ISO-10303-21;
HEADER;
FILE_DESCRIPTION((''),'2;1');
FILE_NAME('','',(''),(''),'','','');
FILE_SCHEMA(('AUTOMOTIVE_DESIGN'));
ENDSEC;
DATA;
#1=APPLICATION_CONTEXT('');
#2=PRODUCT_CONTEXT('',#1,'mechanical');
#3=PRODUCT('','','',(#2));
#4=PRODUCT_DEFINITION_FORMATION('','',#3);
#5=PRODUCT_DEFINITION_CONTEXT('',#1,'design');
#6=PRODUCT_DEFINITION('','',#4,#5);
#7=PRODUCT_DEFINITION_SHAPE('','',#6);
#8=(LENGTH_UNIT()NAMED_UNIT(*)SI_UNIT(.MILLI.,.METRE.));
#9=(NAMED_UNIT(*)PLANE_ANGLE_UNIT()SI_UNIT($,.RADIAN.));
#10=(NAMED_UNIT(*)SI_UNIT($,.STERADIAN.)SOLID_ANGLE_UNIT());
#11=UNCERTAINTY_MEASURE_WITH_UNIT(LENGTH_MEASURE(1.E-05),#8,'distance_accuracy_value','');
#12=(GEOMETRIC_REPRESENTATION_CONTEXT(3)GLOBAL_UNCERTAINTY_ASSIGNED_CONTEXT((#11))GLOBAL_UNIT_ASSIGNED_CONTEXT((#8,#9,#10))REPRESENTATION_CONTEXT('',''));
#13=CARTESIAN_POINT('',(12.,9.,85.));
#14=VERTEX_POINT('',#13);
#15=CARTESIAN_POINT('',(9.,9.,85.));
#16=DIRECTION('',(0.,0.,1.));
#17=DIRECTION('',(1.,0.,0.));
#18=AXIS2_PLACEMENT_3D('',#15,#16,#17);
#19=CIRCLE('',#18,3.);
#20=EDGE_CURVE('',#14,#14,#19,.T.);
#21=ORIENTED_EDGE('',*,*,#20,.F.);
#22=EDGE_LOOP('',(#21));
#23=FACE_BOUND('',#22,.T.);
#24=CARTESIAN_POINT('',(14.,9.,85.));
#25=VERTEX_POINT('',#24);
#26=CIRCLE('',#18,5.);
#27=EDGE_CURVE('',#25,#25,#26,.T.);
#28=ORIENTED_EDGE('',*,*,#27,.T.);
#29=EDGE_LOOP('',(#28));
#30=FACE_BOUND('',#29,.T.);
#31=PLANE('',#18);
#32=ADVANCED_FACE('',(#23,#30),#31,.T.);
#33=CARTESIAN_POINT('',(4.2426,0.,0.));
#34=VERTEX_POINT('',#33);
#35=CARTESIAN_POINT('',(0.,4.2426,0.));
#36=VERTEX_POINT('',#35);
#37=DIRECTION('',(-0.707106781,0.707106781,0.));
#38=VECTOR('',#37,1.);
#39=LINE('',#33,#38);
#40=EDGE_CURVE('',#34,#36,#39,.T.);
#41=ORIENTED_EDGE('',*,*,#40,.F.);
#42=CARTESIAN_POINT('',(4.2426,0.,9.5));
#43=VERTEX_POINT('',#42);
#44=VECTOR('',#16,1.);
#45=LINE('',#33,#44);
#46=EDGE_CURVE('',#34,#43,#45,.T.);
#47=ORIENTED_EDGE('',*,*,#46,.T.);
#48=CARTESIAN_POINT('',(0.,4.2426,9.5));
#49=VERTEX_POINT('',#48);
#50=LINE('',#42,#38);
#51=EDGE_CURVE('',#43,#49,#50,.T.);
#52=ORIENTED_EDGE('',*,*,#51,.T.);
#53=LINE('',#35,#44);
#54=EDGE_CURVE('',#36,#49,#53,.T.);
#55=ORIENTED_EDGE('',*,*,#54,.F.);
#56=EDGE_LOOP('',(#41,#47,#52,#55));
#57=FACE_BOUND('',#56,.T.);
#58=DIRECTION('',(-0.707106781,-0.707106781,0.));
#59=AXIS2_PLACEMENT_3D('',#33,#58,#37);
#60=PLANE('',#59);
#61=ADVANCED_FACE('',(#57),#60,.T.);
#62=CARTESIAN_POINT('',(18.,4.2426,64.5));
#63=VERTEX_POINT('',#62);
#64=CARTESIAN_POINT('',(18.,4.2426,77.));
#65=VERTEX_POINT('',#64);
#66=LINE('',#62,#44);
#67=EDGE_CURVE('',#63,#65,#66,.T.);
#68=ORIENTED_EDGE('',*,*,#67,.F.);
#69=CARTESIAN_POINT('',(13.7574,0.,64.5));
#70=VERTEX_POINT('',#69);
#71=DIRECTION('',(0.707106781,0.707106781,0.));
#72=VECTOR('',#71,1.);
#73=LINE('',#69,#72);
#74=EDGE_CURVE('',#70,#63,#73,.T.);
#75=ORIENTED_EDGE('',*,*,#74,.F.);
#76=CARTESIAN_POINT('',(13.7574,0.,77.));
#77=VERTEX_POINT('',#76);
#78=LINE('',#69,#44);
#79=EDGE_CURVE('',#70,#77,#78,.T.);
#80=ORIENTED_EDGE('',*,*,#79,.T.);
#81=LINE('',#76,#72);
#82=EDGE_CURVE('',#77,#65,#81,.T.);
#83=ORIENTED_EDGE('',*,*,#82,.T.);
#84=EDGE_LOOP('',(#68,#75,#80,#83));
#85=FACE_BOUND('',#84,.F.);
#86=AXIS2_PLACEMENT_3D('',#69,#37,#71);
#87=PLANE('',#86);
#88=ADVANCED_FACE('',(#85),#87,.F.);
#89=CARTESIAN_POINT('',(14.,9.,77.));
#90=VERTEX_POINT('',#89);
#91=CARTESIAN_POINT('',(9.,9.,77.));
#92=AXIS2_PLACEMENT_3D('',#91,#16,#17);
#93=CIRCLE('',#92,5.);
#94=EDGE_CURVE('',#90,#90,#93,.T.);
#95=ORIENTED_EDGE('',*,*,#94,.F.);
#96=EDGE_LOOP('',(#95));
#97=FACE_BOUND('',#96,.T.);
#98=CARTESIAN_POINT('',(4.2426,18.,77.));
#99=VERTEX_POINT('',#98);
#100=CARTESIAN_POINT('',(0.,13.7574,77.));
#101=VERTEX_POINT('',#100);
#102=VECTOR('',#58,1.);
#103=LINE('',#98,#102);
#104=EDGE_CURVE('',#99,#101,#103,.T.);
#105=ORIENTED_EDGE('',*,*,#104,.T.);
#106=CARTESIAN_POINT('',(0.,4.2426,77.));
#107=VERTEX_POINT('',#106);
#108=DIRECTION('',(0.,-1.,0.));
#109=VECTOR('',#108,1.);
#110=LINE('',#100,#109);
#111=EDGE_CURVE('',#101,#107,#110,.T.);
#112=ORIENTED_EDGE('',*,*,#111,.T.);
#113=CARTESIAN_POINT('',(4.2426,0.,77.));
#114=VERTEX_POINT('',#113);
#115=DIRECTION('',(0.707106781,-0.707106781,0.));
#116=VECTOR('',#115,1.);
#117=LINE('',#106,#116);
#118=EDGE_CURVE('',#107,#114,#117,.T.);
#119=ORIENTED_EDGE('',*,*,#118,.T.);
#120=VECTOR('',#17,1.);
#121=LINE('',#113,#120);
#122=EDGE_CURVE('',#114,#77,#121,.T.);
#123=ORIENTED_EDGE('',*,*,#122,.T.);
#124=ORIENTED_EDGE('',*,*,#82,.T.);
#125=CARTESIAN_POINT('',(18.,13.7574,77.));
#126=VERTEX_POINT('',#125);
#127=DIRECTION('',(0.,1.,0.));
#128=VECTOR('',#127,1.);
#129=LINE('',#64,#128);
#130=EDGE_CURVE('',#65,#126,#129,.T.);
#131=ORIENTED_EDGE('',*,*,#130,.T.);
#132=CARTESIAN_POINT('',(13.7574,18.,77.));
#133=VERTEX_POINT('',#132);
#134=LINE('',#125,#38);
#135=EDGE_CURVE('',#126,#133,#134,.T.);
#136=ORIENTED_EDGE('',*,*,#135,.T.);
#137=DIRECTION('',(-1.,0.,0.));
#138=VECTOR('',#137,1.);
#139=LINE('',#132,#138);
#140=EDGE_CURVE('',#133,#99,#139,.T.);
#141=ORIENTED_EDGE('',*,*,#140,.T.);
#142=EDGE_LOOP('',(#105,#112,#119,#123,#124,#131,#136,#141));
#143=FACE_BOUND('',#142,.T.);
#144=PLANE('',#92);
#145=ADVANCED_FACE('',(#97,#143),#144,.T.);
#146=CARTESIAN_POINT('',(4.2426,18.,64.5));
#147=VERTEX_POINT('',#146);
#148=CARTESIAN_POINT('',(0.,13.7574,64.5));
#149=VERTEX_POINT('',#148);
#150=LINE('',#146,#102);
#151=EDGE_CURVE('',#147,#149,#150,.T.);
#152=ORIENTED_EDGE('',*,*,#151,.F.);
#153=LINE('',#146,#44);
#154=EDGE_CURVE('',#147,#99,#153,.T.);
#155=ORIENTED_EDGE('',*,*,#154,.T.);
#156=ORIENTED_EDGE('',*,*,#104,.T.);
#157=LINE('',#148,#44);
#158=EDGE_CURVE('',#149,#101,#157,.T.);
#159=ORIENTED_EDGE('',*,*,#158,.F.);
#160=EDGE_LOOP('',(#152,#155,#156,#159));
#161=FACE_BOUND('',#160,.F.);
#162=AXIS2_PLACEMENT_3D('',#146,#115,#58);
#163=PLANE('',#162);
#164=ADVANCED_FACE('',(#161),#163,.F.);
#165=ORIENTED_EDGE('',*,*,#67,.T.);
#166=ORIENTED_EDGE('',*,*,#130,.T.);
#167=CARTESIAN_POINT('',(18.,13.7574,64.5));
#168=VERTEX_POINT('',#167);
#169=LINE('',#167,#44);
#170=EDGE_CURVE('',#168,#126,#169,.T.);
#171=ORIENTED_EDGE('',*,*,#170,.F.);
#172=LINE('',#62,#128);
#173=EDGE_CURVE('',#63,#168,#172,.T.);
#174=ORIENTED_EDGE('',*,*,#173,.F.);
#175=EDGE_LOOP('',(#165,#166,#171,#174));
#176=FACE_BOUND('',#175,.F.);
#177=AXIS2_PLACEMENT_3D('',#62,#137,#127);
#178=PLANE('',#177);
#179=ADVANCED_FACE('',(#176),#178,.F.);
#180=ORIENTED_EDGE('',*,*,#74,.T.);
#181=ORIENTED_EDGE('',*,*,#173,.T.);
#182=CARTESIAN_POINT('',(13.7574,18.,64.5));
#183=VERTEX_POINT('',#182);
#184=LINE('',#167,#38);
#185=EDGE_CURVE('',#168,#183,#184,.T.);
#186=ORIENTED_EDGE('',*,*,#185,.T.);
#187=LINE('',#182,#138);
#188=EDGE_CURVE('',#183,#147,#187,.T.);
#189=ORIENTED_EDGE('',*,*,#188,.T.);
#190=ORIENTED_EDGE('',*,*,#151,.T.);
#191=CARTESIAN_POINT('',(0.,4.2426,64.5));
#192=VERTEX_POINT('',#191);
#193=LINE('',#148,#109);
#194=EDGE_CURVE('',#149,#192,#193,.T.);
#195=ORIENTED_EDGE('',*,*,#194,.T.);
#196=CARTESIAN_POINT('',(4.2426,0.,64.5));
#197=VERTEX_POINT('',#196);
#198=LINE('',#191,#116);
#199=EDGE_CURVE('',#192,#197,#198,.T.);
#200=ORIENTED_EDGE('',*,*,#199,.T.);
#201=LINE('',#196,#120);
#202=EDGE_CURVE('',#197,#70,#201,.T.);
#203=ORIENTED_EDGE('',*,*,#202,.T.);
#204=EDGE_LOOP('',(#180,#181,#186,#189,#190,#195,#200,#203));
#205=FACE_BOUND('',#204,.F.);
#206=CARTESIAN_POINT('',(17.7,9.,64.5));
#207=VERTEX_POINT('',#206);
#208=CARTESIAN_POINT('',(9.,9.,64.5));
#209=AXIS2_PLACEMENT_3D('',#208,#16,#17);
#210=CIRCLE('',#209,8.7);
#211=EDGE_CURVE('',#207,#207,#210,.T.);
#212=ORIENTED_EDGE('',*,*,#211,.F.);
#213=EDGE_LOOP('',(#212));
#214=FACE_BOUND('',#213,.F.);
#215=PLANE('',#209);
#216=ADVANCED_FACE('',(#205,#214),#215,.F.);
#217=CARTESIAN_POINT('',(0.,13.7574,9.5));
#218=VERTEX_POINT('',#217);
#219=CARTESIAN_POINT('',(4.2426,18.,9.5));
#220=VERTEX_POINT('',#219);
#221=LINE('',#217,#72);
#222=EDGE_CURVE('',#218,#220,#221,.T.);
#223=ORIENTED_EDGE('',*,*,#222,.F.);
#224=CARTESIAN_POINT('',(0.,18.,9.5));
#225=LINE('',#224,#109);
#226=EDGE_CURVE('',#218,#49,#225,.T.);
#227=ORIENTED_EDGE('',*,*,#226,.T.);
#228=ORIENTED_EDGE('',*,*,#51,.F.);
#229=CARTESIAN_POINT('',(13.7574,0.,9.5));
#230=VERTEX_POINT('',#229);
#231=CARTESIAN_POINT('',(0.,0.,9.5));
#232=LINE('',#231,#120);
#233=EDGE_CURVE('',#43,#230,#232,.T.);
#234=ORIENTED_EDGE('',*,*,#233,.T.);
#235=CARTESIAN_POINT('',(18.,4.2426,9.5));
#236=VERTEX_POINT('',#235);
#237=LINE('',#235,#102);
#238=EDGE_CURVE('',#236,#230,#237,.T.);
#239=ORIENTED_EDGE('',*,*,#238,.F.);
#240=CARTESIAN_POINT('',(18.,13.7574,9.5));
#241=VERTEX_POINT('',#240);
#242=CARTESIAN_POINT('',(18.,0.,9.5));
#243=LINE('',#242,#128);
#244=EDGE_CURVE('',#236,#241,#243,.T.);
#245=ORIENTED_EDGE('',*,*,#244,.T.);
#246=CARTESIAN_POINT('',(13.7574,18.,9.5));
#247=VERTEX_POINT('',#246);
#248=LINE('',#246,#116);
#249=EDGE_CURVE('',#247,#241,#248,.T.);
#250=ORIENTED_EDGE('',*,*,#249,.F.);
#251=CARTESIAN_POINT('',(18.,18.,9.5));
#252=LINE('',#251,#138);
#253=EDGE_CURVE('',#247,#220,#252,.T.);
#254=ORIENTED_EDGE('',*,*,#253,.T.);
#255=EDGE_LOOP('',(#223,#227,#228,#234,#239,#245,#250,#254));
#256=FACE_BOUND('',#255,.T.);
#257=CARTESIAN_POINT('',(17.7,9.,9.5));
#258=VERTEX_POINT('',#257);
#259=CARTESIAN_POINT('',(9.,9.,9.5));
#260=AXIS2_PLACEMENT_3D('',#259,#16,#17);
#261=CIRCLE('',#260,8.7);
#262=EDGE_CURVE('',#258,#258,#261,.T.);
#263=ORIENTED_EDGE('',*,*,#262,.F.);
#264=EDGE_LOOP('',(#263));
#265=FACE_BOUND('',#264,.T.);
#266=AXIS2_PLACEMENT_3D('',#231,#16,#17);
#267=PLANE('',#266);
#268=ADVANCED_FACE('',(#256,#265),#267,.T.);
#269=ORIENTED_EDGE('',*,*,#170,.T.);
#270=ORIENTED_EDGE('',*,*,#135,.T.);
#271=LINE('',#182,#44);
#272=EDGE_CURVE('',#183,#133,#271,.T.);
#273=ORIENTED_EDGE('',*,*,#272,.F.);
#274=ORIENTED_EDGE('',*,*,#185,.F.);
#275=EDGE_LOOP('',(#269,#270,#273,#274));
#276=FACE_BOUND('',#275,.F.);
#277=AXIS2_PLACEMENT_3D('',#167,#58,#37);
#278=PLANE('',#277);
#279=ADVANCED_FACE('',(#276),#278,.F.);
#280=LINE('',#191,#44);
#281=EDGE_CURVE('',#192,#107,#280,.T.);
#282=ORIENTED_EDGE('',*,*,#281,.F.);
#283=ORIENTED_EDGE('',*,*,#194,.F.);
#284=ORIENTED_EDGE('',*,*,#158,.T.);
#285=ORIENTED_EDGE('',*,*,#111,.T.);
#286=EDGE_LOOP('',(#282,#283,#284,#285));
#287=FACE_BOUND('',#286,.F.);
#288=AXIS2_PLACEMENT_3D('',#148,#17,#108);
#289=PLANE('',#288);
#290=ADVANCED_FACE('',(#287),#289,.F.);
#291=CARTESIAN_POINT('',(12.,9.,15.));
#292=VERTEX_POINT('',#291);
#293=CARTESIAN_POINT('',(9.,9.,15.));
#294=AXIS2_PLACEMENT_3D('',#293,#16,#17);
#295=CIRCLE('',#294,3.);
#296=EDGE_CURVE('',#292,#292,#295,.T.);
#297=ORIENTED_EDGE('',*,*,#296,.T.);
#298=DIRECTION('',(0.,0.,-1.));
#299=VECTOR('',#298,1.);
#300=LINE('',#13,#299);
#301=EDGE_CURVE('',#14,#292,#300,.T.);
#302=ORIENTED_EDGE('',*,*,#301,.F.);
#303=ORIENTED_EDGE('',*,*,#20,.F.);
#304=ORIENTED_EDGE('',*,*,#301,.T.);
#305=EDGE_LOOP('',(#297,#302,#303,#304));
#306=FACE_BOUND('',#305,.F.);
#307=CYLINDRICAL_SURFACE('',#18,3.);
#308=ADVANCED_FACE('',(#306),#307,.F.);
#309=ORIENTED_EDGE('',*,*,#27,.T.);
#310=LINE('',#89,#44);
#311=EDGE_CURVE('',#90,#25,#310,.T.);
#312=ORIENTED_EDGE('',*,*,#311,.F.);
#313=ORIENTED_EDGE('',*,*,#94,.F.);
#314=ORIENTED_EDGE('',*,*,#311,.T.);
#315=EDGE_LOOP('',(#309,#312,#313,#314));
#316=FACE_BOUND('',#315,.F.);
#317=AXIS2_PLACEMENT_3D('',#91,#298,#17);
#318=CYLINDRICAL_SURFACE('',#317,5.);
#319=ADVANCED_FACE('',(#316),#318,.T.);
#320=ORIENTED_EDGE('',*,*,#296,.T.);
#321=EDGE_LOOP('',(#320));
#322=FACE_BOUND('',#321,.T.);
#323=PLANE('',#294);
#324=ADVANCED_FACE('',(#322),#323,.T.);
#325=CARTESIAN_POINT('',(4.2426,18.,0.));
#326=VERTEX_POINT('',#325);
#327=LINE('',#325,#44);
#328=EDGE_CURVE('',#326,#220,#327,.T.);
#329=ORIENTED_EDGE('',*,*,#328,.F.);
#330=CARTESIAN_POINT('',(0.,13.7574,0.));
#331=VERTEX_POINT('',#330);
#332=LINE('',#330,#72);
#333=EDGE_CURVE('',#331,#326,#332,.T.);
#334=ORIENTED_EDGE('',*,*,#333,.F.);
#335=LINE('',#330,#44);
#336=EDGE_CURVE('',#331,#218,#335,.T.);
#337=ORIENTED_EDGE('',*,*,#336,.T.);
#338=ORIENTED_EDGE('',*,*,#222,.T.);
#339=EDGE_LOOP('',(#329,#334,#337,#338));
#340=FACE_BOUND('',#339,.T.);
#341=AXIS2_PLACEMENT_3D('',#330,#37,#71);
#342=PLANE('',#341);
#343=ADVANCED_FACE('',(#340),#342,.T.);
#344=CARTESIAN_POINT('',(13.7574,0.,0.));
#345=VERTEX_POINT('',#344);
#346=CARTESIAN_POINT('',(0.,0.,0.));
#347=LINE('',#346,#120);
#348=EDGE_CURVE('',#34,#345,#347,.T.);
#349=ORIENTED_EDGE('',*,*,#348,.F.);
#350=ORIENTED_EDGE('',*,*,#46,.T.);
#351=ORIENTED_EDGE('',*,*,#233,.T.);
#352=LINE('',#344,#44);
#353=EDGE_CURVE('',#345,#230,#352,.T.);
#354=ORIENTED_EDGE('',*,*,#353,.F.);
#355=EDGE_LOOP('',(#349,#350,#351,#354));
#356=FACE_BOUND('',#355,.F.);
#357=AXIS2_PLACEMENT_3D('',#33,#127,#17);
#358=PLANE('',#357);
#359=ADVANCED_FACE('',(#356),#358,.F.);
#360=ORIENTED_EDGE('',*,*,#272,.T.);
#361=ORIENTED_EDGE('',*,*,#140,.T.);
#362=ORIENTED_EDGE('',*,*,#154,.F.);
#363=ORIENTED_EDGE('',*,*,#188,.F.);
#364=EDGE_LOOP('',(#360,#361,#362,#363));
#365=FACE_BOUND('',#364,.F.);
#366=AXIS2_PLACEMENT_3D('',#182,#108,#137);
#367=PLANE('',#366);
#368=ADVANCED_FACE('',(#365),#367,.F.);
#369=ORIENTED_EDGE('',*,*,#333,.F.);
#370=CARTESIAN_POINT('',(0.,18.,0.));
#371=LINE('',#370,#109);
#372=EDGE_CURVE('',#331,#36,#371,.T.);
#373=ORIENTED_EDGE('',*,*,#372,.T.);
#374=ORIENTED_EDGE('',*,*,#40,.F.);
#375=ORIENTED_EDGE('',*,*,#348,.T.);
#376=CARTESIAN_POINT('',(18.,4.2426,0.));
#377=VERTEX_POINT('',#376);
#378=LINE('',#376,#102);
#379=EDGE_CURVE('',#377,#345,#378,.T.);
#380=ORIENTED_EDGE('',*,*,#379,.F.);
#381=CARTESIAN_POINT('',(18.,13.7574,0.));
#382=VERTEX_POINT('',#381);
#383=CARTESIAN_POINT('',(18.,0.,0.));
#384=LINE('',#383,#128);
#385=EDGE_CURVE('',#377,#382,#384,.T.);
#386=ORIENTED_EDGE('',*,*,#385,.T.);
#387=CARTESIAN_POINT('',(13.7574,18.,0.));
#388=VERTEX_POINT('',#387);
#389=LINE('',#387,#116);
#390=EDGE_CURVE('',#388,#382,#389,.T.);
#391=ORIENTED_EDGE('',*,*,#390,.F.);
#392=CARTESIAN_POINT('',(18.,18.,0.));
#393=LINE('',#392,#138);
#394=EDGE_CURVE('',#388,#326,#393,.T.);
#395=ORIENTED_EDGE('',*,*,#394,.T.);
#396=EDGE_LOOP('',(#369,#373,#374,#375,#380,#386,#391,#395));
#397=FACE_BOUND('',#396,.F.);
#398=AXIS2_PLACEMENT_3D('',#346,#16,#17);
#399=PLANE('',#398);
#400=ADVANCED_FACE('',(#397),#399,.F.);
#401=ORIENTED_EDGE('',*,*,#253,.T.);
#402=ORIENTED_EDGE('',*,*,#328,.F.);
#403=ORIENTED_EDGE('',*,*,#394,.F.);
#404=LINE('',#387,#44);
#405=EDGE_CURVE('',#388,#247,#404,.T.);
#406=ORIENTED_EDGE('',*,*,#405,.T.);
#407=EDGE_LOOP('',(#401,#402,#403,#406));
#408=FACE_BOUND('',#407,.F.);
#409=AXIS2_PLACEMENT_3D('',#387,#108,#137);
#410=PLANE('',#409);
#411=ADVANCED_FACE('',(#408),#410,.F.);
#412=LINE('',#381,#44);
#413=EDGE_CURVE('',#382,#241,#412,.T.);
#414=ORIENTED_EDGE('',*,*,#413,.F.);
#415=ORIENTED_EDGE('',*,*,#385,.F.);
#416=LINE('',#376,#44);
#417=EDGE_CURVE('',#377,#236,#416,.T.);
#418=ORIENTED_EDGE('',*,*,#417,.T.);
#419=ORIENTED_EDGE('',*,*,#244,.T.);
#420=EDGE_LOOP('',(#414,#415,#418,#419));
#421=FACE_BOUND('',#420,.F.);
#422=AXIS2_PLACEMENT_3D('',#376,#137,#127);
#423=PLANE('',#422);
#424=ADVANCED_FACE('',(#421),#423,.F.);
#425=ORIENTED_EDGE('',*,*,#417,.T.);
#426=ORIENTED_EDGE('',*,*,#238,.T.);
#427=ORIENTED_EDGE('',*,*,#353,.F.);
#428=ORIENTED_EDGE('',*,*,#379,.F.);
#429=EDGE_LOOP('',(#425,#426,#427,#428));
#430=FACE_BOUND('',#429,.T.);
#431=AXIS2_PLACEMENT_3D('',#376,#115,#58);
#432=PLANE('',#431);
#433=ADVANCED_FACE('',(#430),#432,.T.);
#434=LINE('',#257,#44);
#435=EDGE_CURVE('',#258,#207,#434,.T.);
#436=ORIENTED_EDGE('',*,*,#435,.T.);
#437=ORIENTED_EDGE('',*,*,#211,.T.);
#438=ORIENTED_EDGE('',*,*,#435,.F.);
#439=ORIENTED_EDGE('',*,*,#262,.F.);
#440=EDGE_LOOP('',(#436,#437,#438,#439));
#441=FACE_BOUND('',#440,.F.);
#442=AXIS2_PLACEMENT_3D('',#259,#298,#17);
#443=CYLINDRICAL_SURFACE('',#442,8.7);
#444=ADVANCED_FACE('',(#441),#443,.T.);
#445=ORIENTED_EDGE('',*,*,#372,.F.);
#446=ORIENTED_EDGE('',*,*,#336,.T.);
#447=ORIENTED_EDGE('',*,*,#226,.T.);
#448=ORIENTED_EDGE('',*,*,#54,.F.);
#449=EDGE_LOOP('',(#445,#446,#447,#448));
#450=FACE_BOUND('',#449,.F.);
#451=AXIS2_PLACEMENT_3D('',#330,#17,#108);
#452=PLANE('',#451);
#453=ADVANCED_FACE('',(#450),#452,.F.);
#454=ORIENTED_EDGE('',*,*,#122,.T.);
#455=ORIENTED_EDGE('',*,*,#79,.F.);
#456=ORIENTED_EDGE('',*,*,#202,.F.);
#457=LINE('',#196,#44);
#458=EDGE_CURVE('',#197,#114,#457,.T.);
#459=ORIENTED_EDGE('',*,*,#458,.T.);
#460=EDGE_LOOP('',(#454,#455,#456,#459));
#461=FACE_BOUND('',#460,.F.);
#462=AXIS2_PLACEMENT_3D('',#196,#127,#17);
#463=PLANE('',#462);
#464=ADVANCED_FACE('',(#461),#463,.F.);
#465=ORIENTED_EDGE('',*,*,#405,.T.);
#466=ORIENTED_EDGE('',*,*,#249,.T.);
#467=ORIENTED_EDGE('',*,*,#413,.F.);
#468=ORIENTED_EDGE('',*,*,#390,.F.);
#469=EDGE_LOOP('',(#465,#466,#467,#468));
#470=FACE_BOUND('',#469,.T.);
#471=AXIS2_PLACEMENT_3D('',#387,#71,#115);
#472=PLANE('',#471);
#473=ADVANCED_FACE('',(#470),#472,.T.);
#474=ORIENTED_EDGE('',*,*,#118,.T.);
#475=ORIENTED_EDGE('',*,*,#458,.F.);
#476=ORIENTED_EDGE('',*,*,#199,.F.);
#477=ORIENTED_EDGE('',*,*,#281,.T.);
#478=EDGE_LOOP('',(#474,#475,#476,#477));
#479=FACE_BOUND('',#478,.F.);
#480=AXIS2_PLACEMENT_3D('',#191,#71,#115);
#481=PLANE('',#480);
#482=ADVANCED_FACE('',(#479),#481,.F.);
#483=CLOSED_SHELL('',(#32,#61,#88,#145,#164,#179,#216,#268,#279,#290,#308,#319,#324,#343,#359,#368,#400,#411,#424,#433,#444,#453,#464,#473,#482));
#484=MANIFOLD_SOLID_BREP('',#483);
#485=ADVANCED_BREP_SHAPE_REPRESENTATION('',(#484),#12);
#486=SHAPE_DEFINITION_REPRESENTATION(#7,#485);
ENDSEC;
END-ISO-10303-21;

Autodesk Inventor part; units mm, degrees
ref_plane "YZ Plane" through (0, 0, 0) normal (1, 0, 0) x (0, 1, 0)
ref_plane "XZ Plane" through (0, 0, 0) normal (0, 1, 0) x (-1, 0, 0)
ref_plane "XY Plane" through (0, 0, 0) normal (0, 0, 1) x (1, 0, 0)
sketch "スケッチ1" plane through (0, 0, 0) normal (0, 0, 1) x (1, 0, 0)
  line L0 (0, 0) -> (18, 0)
  line L1 (18, 0) -> (18, 18)
  line L2 (18, 18) -> (0, 18)
  line L3 (0, 18) -> (0, 0)
  line L4 (0, 13.7574) -> (4.2426, 18)
  line L5 (0, 13.7574) -> (6, 13.7574) construction
  line L6 (4.2426, 0) -> (0, 4.2426)
  line L7 (18, 4.2426) -> (13.7574, 0)
  line L8 (13.7574, 18) -> (18, 13.7574)
  point P0 (0, 9)
  point P1 (9, 18)
  point P2 (9, 9)
  dimension "d0" = 18
  dimension "d1" = 18
  dimension "d2" = 45
  dimension "d3" = 3
  dimension "d13" = 9
  dimension "d14" = 9
  dimension "d17" = 360
extrude "押し出し1" add sketch "スケッチ1" along normal blind 9.5 contours L6 L3 L4 L2 L8 L1 L7 L0
sketch "スケッチ2" plane through (0, 0, 9.5) normal (0, 0, 1) x (1, 0, 0)
  line L0 (0, 0) -> (13.7574, 0) projected
  line L1 (0, 13.7574) -> (0, 0) projected
  circle A0 centre (9, 9) radius 8.7
  point P0 (9, 0)
  point P1 (5.6569, 0)
  point P2 (12.3431, 0)
  point P3 (0, 9.7071)
  point P4 (0, 5.6569)
  point P5 (18, 0)
  point P6 (0, 18)
  dimension "d10" = 17.4
extrude "押し出し2" add sketch "スケッチ2" along normal blind 55
sketch "スケッチ3" plane through (9, 9, 64.5) normal (0, 0, 1) x (1, 0, 0)
  circle A0 centre (0, 0) radius 8.7 projected
  line L0 (4.7574, 9) -> (-4.7574, 9) projected
  line L1 (-4.7574, 9) -> (-9, 4.7574) projected
  line L2 (-9, 4.7574) -> (-9, -4.7574) projected
  line L3 (-9, -4.7574) -> (-4.7574, -9) projected
  line L4 (-4.7574, -9) -> (4.7574, -9) projected
  line L5 (4.7574, -9) -> (9, -4.7574) projected
  line L6 (9, -4.7574) -> (9, 4.7574) projected
  line L7 (9, 4.7574) -> (4.7574, 9) projected
  point P0 (-9, -9)
extrude "押し出し3" add sketch "スケッチ3" along normal blind 12.5 contours A0 | L7 L6 L5 L4 L3 L2 L1 L0
sketch "スケッチ4" plane through (9, 9, 77) normal (0, 0, 1) x (1, 0, 0)
  circle A0 centre (0, 0) radius 8.7 projected
  circle A1 centre (0, 0) radius 5
  point P0 (-9, -9)
  dimension "d21" = 10
extrude "押し出し4" add sketch "スケッチ4" along normal blind 8 contours A1
sketch "スケッチ5" plane through (9, 9, 85) normal (0, 0, 1) x (1, 0, 0)
  circle A0 centre (0, 0) radius 5 projected
  circle A1 centre (0, 0) radius 3
  point P0 (-9, -9)
  dimension "d24" = 6
extrude "押し出し5" cut sketch "スケッチ5" against normal blind 70 contours A1
equation "\"d13\" = 0.5 * d1"
properties part number "airclinder_30" material "アルミニウム 6061-AHC"
